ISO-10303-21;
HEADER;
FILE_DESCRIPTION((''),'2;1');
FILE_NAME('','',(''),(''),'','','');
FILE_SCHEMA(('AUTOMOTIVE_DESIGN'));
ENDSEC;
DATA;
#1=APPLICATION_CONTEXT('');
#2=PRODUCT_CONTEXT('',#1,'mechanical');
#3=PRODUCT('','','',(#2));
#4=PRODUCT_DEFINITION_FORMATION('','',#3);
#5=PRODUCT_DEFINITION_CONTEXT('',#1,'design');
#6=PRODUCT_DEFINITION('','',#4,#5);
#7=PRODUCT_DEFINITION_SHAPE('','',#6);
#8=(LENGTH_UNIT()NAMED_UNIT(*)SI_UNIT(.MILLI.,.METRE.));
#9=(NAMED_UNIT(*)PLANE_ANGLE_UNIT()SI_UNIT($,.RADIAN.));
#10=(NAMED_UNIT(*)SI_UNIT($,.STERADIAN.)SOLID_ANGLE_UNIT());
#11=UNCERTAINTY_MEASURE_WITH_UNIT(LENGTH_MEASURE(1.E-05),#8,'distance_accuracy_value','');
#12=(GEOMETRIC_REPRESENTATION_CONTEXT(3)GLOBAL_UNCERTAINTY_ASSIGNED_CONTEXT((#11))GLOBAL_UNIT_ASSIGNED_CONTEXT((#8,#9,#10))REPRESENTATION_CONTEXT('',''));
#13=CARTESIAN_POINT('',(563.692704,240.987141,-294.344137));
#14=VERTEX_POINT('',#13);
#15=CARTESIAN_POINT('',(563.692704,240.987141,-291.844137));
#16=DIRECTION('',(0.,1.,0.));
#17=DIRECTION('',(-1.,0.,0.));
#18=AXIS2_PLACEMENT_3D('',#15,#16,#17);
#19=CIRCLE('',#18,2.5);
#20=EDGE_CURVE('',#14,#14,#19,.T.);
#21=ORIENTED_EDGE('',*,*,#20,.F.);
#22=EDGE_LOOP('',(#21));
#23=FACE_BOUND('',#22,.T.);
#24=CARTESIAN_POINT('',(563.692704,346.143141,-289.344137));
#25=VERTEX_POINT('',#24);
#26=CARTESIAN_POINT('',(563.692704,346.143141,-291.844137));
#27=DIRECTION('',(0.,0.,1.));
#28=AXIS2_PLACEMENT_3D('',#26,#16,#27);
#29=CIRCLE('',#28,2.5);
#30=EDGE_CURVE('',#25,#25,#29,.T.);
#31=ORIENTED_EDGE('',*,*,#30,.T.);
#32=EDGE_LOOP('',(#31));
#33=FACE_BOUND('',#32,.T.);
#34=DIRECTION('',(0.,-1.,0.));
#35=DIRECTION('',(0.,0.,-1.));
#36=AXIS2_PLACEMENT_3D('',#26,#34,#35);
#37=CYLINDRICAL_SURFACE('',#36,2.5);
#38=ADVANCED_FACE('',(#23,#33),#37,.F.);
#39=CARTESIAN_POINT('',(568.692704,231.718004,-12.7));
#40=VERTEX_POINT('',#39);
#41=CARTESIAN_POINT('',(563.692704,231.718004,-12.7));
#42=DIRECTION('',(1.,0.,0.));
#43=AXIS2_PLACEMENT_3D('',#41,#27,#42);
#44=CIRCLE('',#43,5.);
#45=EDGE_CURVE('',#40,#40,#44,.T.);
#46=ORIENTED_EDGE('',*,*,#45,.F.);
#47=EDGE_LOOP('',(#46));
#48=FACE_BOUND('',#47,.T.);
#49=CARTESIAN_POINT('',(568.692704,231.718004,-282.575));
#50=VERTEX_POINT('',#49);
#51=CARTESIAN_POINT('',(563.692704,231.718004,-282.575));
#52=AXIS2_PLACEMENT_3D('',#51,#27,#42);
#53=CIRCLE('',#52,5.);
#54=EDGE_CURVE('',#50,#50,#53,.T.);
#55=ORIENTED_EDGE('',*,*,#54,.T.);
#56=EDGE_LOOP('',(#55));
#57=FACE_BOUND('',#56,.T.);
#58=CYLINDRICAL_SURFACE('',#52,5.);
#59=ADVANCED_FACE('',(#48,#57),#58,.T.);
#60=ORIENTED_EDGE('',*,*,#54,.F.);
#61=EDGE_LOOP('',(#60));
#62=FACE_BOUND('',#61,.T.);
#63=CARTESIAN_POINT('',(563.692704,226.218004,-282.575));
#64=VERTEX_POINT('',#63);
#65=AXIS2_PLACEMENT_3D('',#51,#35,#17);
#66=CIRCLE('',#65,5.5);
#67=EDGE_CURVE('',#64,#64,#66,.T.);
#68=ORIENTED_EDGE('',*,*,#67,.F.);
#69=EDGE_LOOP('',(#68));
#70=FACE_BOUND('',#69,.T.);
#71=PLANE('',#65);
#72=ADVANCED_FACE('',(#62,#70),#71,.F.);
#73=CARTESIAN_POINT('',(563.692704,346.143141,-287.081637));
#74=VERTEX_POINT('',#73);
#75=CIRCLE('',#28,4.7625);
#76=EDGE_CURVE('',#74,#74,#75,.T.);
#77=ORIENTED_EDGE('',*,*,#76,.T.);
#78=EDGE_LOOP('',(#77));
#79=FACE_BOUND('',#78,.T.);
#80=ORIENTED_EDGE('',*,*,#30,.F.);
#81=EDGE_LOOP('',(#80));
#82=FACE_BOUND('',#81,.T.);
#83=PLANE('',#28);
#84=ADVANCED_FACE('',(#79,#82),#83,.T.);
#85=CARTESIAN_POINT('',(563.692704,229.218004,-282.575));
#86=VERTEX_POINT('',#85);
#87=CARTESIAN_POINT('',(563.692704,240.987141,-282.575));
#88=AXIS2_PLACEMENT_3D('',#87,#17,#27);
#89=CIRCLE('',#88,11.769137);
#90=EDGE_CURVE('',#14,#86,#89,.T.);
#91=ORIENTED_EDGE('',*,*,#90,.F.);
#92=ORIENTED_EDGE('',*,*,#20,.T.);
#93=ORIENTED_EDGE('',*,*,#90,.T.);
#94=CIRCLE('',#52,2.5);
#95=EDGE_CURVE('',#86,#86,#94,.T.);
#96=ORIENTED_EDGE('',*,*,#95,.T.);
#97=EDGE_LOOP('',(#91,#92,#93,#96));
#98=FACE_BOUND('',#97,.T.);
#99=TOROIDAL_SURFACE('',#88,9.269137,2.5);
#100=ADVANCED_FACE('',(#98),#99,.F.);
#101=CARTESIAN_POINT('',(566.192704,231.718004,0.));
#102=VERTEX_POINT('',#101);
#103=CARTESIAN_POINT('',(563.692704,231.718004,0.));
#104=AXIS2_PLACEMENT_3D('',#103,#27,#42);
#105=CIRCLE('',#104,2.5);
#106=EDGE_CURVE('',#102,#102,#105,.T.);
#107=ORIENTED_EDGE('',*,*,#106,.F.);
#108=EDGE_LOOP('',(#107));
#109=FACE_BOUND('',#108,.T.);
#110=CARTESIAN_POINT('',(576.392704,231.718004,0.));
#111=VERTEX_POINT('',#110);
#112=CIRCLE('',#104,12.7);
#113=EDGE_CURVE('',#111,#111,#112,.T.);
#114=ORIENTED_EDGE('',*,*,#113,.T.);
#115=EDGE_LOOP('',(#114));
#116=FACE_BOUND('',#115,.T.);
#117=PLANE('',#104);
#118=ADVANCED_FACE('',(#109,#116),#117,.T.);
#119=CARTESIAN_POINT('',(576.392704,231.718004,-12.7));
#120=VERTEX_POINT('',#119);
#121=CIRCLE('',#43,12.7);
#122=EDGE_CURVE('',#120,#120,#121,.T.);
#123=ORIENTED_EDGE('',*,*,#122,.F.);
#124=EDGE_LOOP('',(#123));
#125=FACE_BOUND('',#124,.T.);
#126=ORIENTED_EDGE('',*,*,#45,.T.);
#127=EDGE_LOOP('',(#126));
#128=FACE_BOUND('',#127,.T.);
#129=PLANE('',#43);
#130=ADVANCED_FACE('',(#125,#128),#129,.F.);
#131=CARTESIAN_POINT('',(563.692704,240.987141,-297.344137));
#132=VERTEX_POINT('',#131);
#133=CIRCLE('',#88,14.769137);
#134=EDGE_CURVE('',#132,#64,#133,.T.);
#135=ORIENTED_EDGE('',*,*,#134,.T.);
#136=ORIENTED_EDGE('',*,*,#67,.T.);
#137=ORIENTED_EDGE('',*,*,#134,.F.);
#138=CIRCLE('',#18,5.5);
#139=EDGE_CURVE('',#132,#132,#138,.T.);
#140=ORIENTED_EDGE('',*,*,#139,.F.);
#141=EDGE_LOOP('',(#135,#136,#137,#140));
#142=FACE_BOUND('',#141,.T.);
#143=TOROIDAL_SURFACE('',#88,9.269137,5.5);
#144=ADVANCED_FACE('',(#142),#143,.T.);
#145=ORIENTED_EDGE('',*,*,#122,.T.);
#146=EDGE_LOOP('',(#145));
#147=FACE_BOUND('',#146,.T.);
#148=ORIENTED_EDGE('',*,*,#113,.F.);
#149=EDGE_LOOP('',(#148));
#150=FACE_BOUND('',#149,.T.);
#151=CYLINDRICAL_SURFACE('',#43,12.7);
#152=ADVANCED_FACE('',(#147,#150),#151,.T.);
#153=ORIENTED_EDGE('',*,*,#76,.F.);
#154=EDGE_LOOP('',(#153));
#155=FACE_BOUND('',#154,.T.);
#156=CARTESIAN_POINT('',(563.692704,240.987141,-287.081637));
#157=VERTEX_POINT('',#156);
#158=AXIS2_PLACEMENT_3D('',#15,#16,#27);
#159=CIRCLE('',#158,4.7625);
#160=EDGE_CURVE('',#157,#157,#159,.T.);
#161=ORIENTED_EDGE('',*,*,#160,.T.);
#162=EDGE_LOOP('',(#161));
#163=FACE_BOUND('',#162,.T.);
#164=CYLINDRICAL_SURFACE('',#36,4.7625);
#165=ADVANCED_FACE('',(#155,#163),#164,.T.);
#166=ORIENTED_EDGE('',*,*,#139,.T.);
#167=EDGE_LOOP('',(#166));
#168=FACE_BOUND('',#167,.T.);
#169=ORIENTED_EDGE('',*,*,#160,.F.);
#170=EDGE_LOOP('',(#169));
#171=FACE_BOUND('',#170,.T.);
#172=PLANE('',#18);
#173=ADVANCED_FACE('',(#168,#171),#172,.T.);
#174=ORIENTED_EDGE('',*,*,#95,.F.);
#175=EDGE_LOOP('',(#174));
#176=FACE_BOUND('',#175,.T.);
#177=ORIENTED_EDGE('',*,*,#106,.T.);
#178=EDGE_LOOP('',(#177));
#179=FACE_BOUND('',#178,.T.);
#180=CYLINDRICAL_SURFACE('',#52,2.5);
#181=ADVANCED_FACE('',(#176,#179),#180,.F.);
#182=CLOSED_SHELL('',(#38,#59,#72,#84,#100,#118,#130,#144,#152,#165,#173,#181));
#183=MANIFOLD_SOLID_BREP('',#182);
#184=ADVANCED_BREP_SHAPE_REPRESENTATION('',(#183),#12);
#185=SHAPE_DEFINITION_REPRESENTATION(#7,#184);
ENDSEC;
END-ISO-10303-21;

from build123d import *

# Parameters (mm, degrees)
SKETCH1_R           = 12.7
SKETCH1_R_2         = 5
BASE_EXTRUDE_DEPTH  = 12.7
SKETCH2_R           = 5
SKETCH2_R_2         = 2.5
BOSS_EXTRUDE1_DEPTH = 282.575
SKETCH5_R           = 5.5
SKETCH5_R_2         = 2.5
SKETCH7_R           = 4.7625
SKETCH7_R_2         = 2.5
BOSS_EXTRUDE2_DEPTH = 105.156


with BuildPart() as part:
    # Sketch1 → Base-Extrude (new body)
    with BuildSketch(Plane.XY):
        with Locations((563.692704422, 231.718004299)):
            Circle(SKETCH1_R)
        with Locations((563.692704422, 231.718004299)):
            Circle(SKETCH1_R_2, mode=Mode.SUBTRACT)
    extrude(amount=-BASE_EXTRUDE_DEPTH)

    # Sketch2 → Boss-Extrude1 (add)
    with BuildSketch(Plane.XY):
        with Locations((563.692704422, 231.718004299)):
            Circle(SKETCH2_R)
        with Locations((563.692704422, 231.718004299)):
            Circle(SKETCH2_R_2, mode=Mode.SUBTRACT)
    extrude(amount=-BOSS_EXTRUDE1_DEPTH)

    # Boss-Sweep2: sweep along a path in Sketch6
    with BuildLine(Plane(origin=(563.692704422, 0, 0), x_dir=(0, 0, -1), z_dir=(1, 0, 0))) as boss_sweep2_path:
        ThreePointArc((282.575, 231.718004299), (289.129269744, 234.432871718), (291.844137163, 240.987141462))
    # Sketch5 → Boss-Sweep2 (sweep)
    with BuildSketch(Plane(origin=(0, 0, -282.575), x_dir=(-1, 0, 0), z_dir=(0, 0, -1))):
        with Locations((-563.692704422, 231.718004299)):
            Circle(SKETCH5_R)
        with Locations((-563.692704422, 231.718004299)):
            Circle(SKETCH5_R_2, mode=Mode.SUBTRACT)
    sweep(path=boss_sweep2_path.line)

    # Sketch7 → Boss-Extrude2 (add)
    with BuildSketch(Plane(origin=(0, 240.987141462, 0), x_dir=(-1, 0, 0), z_dir=(0, 1, 0))):
        with Locations(Location((-563.692704422, -291.844137163, 0), (0, 0, 90))):
            Circle(SKETCH7_R)
        with Locations(Location((-563.692704422, -291.844137163, 0), (0, 0, 270))):
            Circle(SKETCH7_R_2, mode=Mode.SUBTRACT)
    extrude(amount=BOSS_EXTRUDE2_DEPTH)


solid = part.part
